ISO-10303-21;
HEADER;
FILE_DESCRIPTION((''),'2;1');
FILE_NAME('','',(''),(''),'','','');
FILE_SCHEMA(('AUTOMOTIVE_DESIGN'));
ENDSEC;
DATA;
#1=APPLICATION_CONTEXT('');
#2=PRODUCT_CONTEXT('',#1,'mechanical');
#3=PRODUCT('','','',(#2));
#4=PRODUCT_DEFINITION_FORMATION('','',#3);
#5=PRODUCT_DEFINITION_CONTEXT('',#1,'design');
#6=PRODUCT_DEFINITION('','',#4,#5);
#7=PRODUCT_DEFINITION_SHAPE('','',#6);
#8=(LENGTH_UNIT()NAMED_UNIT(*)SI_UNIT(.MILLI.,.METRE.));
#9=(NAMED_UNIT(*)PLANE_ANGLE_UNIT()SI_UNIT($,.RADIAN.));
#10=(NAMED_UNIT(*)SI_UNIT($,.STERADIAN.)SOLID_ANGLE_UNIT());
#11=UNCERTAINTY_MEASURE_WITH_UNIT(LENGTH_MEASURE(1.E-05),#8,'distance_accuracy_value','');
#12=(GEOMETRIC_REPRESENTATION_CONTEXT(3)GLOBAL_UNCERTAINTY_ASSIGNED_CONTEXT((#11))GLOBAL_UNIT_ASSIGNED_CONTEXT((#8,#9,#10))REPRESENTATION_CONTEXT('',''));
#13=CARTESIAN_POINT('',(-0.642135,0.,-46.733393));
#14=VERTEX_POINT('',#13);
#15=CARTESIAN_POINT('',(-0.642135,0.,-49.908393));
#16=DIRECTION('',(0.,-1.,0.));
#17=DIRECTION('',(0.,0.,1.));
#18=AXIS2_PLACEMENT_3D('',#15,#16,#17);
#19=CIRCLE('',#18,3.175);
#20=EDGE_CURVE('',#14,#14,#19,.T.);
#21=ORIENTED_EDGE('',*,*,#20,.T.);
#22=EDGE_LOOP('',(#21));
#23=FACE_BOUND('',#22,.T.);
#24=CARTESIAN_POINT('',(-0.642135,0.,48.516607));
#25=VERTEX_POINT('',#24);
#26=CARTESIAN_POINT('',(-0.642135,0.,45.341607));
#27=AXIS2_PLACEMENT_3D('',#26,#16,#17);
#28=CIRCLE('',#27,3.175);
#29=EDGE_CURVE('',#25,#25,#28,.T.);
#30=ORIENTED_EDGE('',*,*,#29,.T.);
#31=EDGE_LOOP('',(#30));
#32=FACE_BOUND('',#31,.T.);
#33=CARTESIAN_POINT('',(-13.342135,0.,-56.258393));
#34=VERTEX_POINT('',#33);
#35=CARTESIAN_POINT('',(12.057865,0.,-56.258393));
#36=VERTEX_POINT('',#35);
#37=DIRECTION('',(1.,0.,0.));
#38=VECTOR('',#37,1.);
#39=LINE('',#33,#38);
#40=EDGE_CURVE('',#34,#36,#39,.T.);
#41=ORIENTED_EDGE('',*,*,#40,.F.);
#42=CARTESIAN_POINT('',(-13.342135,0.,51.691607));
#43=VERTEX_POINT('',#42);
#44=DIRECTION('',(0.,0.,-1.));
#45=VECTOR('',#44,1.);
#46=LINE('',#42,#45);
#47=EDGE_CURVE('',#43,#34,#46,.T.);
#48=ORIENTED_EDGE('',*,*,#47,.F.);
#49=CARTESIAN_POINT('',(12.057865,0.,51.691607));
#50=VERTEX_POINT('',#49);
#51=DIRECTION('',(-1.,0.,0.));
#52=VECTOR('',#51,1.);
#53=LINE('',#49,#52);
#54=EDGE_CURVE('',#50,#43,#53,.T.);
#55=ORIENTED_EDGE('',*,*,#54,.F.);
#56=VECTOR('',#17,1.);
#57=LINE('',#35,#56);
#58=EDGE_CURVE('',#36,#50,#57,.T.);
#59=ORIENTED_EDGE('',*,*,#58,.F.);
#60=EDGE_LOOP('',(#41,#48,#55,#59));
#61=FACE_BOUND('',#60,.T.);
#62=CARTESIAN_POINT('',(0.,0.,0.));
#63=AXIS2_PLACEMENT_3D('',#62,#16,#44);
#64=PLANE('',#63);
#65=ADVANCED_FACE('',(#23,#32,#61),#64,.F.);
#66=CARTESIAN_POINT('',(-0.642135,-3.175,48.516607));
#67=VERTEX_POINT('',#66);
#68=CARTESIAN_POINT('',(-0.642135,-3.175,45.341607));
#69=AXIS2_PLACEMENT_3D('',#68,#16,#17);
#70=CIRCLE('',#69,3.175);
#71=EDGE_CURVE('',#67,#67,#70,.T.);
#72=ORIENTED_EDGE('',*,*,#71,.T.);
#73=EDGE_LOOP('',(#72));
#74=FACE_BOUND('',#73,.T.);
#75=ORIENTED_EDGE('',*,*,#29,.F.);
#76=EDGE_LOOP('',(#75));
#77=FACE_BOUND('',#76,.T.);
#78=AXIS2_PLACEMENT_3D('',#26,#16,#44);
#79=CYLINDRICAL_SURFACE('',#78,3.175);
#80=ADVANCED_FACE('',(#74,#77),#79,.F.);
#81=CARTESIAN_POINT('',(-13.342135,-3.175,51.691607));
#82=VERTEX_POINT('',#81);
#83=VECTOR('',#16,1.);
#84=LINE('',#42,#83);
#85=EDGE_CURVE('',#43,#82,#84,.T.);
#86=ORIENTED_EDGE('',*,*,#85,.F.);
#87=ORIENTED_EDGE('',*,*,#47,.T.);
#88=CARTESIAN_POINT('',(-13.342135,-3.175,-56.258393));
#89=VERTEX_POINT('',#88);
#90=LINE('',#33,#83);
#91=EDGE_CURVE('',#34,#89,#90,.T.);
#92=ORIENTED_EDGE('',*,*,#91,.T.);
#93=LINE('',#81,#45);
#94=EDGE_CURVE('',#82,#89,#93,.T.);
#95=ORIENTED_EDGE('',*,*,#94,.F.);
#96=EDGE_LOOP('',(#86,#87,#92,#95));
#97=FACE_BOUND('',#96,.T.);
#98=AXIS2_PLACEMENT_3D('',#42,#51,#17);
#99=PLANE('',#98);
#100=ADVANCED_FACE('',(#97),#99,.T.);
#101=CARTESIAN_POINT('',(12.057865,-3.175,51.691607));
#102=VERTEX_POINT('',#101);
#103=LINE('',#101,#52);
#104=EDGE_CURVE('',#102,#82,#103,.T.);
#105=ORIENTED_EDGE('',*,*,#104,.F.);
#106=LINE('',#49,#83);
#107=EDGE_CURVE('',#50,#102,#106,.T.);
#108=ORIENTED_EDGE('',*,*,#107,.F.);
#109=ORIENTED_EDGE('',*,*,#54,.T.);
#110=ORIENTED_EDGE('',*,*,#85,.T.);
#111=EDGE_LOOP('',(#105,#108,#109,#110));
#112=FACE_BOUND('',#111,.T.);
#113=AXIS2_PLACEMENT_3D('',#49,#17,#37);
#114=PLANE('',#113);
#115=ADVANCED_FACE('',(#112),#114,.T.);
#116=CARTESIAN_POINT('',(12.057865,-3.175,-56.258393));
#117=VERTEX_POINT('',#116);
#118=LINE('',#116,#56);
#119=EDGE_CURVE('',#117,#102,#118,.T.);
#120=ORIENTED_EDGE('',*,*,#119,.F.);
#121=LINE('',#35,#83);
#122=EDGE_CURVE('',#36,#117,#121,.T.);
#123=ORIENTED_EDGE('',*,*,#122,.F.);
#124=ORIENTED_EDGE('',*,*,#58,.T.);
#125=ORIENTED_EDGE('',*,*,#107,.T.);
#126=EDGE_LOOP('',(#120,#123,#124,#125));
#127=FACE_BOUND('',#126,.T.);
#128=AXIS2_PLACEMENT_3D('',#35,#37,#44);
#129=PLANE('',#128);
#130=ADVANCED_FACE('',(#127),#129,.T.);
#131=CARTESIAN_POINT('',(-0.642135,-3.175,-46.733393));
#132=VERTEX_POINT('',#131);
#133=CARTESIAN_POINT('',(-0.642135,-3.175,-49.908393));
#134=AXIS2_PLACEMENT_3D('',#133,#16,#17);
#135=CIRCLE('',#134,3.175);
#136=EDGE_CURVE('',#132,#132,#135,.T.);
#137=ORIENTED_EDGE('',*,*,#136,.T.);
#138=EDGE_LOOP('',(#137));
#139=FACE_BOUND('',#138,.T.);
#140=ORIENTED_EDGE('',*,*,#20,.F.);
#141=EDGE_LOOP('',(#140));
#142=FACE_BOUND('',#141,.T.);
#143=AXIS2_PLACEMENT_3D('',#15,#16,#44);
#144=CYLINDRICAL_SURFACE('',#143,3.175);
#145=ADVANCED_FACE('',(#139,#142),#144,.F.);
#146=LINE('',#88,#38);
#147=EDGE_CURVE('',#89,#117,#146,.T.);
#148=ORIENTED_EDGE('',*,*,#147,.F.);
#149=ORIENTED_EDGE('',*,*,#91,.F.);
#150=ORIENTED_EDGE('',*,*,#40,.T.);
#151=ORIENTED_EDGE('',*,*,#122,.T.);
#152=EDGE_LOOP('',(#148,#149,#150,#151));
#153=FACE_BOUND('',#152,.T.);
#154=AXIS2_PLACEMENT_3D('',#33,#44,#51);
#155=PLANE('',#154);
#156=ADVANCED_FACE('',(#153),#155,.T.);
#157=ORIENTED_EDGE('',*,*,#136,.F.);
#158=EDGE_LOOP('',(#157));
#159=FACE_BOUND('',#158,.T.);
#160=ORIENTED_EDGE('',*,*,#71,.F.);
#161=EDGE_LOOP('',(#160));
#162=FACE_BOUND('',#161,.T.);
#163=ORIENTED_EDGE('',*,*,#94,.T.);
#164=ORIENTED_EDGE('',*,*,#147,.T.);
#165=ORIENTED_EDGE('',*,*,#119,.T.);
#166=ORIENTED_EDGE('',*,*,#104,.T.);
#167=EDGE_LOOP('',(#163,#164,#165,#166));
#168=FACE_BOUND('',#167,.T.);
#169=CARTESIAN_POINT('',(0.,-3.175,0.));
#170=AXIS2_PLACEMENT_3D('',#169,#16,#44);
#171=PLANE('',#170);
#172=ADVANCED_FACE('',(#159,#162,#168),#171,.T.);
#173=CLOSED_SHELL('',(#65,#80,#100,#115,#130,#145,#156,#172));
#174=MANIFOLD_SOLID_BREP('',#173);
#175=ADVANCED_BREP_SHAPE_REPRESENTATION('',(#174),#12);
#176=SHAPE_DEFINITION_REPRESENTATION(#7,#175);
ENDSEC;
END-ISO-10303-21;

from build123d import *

# Parameters (mm, degrees)
SKETCH1_W           = 25.4
SKETCH1_H           = 107.95
SKETCH1_R           = 3.175
BOSS_EXTRUDE1_DEPTH = 3.175


with BuildPart() as part:
    # Sketch1 → Boss-Extrude1 (new body)
    with BuildSketch(Plane.XZ.offset(3.175)):
        with Locations((-0.642134808, -2.283393272)):
            Rectangle(SKETCH1_W, SKETCH1_H)
        with Locations((-0.642134808, -49.908393272)):
            Circle(SKETCH1_R, mode=Mode.SUBTRACT)
        with Locations((-0.642134808, 45.341606728)):
            Circle(SKETCH1_R, mode=Mode.SUBTRACT)
    extrude(amount=-BOSS_EXTRUDE1_DEPTH)


solid = part.part
